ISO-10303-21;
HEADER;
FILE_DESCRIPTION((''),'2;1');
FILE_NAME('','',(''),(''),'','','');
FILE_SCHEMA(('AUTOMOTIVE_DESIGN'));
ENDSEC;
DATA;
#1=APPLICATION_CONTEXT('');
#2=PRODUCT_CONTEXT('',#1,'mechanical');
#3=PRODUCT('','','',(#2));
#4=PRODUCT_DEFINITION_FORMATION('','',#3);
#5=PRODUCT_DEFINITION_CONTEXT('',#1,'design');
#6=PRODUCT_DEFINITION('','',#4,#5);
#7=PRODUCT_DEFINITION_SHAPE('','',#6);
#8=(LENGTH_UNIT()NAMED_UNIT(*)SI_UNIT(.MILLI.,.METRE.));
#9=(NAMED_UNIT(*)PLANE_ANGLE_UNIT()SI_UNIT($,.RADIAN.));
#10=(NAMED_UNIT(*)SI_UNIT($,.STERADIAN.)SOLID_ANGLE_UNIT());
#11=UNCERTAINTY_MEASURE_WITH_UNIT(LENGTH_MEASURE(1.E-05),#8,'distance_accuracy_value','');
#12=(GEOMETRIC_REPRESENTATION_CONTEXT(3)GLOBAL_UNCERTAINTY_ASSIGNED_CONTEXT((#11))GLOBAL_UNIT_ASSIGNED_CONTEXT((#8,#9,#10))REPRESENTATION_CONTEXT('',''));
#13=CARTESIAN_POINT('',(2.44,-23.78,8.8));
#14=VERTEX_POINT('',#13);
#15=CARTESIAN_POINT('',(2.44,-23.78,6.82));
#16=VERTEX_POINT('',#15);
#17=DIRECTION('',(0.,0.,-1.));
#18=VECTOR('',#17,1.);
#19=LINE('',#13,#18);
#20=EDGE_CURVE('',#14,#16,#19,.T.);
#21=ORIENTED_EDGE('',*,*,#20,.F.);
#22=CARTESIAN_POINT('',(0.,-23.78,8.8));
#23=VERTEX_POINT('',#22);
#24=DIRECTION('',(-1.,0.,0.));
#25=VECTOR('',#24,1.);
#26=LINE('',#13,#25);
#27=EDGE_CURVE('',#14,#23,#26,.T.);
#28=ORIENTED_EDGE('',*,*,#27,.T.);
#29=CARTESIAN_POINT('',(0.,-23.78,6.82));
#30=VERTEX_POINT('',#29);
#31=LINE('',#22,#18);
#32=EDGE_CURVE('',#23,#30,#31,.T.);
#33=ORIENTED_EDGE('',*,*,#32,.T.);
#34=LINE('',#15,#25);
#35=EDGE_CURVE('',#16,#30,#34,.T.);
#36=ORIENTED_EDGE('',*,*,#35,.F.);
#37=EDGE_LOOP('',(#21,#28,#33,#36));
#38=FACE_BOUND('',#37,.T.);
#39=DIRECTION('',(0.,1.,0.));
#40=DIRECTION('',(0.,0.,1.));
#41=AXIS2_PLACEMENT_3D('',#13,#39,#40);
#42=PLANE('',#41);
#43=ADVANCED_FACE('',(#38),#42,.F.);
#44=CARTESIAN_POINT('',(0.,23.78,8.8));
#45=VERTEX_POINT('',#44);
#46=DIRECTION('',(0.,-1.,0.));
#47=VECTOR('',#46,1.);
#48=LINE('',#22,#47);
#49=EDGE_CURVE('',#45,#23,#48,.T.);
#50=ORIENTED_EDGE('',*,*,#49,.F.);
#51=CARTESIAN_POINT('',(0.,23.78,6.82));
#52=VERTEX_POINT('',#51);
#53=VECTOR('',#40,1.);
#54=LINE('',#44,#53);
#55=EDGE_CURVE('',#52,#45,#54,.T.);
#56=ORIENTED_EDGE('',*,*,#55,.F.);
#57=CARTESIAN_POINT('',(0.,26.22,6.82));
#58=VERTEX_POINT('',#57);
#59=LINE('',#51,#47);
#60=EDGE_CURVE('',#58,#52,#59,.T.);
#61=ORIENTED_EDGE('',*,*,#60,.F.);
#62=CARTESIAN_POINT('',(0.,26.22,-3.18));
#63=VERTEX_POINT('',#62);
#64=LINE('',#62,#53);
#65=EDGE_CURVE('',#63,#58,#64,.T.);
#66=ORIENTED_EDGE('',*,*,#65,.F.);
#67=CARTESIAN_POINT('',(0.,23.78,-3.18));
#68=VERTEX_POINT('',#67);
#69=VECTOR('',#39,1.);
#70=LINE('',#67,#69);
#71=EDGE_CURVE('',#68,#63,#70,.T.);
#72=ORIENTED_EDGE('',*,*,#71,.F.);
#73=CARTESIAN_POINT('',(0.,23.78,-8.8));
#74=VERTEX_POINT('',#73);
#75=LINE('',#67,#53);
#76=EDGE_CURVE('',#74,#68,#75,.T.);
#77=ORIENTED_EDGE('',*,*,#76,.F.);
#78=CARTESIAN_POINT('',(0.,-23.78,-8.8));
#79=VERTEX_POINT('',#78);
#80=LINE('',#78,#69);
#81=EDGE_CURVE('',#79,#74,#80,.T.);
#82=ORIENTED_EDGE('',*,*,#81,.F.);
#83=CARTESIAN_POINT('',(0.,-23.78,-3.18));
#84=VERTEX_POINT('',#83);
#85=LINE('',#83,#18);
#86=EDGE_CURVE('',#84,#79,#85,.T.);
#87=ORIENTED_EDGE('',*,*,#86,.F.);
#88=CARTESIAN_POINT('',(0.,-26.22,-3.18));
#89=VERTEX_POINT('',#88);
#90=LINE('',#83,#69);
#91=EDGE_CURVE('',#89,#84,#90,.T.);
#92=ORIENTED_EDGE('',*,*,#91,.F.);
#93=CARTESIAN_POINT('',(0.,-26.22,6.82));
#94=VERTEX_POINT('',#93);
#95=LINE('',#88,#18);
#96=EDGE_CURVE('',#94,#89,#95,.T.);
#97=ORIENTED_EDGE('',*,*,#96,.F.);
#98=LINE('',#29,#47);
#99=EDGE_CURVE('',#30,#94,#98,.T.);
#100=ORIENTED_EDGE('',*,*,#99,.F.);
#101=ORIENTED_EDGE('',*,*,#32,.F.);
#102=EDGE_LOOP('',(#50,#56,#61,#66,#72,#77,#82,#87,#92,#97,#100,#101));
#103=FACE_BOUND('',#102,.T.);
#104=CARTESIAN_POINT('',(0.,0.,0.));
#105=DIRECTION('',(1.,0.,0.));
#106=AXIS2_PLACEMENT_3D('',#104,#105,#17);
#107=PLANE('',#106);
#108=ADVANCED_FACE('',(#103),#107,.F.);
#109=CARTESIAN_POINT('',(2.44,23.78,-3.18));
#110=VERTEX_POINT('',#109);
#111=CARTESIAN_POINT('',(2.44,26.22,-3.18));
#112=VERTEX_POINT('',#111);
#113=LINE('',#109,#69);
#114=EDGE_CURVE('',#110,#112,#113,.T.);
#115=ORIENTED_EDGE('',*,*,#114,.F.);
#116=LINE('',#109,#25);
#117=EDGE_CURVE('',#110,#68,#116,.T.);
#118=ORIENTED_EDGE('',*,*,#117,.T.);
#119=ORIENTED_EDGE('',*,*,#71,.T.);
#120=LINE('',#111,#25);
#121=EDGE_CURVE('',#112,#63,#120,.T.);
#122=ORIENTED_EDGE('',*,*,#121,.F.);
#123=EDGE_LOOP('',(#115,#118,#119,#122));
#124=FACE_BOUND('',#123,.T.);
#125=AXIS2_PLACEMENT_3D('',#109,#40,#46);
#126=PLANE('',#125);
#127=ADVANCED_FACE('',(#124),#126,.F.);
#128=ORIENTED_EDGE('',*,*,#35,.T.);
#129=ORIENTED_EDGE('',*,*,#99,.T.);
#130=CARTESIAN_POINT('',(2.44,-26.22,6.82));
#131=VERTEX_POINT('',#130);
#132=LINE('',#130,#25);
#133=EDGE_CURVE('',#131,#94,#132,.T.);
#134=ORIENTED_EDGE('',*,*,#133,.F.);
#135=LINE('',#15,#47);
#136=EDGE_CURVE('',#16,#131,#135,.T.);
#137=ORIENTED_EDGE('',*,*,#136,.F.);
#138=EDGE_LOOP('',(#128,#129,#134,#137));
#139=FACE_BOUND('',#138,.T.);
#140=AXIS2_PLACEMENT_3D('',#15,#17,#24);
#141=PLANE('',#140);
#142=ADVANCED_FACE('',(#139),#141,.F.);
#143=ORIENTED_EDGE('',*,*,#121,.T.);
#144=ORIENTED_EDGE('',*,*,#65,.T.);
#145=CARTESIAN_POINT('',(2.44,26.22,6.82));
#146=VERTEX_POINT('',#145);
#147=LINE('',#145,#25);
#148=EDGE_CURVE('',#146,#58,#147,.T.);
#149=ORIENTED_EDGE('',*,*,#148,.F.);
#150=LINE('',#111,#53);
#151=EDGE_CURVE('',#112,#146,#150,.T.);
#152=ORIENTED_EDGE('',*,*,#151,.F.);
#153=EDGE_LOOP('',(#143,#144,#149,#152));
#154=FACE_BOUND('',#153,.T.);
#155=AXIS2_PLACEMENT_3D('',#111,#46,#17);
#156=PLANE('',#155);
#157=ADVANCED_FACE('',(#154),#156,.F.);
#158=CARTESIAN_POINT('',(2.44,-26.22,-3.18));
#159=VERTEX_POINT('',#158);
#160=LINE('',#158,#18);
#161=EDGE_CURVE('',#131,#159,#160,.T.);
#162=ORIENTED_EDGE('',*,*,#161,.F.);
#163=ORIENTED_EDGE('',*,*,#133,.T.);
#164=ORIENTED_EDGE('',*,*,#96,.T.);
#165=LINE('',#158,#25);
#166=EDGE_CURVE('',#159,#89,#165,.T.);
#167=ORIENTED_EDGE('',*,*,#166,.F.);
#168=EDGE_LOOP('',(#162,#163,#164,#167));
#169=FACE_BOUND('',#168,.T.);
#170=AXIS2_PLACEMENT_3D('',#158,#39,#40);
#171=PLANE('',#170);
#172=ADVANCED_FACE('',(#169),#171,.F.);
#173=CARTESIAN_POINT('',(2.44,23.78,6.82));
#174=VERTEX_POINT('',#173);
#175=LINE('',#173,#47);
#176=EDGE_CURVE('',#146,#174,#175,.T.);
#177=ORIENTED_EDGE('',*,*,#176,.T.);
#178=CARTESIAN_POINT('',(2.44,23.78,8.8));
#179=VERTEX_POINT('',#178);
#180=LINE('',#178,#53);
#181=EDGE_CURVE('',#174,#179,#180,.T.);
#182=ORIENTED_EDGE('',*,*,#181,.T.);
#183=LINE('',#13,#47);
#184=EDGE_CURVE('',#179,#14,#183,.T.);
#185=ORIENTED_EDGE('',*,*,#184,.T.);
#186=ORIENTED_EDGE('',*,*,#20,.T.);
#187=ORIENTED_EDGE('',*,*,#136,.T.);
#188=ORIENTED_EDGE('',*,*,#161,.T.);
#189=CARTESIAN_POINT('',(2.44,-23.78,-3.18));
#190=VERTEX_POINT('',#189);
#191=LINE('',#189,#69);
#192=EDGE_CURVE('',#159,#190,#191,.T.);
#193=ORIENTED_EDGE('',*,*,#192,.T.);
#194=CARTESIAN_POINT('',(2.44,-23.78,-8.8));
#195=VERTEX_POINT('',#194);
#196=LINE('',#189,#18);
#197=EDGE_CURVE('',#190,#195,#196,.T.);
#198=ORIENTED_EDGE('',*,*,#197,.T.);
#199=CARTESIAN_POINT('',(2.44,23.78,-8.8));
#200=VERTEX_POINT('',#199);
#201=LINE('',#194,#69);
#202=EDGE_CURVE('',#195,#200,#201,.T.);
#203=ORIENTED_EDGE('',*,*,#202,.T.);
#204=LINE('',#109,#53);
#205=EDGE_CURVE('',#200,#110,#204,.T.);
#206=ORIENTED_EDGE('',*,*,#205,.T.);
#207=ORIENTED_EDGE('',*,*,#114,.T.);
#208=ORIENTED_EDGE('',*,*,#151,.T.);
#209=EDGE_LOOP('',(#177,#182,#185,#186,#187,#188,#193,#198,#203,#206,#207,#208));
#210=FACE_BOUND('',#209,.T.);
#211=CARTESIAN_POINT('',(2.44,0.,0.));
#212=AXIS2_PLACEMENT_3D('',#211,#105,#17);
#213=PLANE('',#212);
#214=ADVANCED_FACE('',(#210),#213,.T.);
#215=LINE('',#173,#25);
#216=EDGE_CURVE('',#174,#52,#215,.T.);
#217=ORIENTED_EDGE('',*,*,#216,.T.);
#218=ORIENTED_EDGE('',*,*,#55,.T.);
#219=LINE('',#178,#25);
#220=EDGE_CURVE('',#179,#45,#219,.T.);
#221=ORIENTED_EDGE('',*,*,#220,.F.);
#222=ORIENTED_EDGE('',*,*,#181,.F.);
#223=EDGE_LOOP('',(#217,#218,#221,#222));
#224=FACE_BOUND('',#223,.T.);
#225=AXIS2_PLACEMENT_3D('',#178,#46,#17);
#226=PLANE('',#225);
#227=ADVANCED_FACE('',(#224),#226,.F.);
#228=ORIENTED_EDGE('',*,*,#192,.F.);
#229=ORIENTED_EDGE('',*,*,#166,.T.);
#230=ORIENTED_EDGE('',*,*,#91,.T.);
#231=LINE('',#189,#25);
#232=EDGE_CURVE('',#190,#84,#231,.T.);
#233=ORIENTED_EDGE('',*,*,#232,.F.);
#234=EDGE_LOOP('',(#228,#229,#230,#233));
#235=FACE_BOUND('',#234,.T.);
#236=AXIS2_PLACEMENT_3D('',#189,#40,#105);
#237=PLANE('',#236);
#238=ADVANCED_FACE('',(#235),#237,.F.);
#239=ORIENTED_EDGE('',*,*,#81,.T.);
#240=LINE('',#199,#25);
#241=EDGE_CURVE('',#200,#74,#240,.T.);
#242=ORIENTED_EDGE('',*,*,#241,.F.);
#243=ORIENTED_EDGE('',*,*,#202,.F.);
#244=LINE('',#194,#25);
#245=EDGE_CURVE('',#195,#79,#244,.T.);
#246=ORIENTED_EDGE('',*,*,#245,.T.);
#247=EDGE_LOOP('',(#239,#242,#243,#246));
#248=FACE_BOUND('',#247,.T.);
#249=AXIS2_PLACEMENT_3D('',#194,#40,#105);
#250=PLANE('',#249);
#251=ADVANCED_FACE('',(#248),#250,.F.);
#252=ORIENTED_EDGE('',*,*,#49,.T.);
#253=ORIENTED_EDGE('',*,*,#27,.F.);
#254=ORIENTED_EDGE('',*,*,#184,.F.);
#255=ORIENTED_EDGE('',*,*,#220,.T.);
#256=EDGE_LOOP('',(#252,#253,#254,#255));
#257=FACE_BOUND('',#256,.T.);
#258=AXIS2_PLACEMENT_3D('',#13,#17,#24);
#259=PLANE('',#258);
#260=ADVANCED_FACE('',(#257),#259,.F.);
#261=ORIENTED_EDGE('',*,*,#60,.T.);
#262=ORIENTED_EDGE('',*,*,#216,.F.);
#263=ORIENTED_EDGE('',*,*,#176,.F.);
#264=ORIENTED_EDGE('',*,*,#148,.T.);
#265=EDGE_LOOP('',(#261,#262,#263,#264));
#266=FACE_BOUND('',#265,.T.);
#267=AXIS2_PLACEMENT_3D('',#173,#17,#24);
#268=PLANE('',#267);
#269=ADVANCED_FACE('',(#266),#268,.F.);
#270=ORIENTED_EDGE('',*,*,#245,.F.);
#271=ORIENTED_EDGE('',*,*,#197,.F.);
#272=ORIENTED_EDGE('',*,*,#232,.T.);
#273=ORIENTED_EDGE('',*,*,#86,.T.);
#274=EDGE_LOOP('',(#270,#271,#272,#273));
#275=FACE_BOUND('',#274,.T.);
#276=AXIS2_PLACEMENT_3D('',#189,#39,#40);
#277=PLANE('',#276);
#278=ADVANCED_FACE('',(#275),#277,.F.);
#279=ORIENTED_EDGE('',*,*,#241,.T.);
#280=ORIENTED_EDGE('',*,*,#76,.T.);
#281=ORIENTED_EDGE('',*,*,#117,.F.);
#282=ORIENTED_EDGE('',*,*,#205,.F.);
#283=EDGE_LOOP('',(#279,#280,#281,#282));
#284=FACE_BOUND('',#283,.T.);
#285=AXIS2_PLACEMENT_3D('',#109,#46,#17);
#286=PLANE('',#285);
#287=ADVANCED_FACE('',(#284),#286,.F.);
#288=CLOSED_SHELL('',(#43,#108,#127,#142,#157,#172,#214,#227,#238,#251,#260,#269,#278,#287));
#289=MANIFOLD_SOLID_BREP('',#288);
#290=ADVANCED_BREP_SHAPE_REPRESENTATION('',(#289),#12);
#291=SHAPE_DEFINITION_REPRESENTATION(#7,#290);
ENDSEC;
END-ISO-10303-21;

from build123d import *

# Parameters (mm, degrees)
SALIENTE_EXTRUIR1_DEPTH = 2.44


with BuildPart() as part:
    # Croquis1 → Saliente-Extruir1 (new body)
    with BuildSketch(Plane(origin=(0, 0, 0), x_dir=(0, 0, -1), z_dir=(1, 0, 0))):
        Polygon((3.18, -23.78), (8.8, -23.78), (8.8, 23.78), (3.18, 23.78), (3.18, 26.22), (-6.82, 26.22), (-6.82, 23.78), (-8.8, 23.78), (-8.8, -23.78), (-6.82, -23.78), (-6.82, -26.22), (3.18, -26.22), align=None)
    extrude(amount=SALIENTE_EXTRUIR1_DEPTH)


solid = part.part
